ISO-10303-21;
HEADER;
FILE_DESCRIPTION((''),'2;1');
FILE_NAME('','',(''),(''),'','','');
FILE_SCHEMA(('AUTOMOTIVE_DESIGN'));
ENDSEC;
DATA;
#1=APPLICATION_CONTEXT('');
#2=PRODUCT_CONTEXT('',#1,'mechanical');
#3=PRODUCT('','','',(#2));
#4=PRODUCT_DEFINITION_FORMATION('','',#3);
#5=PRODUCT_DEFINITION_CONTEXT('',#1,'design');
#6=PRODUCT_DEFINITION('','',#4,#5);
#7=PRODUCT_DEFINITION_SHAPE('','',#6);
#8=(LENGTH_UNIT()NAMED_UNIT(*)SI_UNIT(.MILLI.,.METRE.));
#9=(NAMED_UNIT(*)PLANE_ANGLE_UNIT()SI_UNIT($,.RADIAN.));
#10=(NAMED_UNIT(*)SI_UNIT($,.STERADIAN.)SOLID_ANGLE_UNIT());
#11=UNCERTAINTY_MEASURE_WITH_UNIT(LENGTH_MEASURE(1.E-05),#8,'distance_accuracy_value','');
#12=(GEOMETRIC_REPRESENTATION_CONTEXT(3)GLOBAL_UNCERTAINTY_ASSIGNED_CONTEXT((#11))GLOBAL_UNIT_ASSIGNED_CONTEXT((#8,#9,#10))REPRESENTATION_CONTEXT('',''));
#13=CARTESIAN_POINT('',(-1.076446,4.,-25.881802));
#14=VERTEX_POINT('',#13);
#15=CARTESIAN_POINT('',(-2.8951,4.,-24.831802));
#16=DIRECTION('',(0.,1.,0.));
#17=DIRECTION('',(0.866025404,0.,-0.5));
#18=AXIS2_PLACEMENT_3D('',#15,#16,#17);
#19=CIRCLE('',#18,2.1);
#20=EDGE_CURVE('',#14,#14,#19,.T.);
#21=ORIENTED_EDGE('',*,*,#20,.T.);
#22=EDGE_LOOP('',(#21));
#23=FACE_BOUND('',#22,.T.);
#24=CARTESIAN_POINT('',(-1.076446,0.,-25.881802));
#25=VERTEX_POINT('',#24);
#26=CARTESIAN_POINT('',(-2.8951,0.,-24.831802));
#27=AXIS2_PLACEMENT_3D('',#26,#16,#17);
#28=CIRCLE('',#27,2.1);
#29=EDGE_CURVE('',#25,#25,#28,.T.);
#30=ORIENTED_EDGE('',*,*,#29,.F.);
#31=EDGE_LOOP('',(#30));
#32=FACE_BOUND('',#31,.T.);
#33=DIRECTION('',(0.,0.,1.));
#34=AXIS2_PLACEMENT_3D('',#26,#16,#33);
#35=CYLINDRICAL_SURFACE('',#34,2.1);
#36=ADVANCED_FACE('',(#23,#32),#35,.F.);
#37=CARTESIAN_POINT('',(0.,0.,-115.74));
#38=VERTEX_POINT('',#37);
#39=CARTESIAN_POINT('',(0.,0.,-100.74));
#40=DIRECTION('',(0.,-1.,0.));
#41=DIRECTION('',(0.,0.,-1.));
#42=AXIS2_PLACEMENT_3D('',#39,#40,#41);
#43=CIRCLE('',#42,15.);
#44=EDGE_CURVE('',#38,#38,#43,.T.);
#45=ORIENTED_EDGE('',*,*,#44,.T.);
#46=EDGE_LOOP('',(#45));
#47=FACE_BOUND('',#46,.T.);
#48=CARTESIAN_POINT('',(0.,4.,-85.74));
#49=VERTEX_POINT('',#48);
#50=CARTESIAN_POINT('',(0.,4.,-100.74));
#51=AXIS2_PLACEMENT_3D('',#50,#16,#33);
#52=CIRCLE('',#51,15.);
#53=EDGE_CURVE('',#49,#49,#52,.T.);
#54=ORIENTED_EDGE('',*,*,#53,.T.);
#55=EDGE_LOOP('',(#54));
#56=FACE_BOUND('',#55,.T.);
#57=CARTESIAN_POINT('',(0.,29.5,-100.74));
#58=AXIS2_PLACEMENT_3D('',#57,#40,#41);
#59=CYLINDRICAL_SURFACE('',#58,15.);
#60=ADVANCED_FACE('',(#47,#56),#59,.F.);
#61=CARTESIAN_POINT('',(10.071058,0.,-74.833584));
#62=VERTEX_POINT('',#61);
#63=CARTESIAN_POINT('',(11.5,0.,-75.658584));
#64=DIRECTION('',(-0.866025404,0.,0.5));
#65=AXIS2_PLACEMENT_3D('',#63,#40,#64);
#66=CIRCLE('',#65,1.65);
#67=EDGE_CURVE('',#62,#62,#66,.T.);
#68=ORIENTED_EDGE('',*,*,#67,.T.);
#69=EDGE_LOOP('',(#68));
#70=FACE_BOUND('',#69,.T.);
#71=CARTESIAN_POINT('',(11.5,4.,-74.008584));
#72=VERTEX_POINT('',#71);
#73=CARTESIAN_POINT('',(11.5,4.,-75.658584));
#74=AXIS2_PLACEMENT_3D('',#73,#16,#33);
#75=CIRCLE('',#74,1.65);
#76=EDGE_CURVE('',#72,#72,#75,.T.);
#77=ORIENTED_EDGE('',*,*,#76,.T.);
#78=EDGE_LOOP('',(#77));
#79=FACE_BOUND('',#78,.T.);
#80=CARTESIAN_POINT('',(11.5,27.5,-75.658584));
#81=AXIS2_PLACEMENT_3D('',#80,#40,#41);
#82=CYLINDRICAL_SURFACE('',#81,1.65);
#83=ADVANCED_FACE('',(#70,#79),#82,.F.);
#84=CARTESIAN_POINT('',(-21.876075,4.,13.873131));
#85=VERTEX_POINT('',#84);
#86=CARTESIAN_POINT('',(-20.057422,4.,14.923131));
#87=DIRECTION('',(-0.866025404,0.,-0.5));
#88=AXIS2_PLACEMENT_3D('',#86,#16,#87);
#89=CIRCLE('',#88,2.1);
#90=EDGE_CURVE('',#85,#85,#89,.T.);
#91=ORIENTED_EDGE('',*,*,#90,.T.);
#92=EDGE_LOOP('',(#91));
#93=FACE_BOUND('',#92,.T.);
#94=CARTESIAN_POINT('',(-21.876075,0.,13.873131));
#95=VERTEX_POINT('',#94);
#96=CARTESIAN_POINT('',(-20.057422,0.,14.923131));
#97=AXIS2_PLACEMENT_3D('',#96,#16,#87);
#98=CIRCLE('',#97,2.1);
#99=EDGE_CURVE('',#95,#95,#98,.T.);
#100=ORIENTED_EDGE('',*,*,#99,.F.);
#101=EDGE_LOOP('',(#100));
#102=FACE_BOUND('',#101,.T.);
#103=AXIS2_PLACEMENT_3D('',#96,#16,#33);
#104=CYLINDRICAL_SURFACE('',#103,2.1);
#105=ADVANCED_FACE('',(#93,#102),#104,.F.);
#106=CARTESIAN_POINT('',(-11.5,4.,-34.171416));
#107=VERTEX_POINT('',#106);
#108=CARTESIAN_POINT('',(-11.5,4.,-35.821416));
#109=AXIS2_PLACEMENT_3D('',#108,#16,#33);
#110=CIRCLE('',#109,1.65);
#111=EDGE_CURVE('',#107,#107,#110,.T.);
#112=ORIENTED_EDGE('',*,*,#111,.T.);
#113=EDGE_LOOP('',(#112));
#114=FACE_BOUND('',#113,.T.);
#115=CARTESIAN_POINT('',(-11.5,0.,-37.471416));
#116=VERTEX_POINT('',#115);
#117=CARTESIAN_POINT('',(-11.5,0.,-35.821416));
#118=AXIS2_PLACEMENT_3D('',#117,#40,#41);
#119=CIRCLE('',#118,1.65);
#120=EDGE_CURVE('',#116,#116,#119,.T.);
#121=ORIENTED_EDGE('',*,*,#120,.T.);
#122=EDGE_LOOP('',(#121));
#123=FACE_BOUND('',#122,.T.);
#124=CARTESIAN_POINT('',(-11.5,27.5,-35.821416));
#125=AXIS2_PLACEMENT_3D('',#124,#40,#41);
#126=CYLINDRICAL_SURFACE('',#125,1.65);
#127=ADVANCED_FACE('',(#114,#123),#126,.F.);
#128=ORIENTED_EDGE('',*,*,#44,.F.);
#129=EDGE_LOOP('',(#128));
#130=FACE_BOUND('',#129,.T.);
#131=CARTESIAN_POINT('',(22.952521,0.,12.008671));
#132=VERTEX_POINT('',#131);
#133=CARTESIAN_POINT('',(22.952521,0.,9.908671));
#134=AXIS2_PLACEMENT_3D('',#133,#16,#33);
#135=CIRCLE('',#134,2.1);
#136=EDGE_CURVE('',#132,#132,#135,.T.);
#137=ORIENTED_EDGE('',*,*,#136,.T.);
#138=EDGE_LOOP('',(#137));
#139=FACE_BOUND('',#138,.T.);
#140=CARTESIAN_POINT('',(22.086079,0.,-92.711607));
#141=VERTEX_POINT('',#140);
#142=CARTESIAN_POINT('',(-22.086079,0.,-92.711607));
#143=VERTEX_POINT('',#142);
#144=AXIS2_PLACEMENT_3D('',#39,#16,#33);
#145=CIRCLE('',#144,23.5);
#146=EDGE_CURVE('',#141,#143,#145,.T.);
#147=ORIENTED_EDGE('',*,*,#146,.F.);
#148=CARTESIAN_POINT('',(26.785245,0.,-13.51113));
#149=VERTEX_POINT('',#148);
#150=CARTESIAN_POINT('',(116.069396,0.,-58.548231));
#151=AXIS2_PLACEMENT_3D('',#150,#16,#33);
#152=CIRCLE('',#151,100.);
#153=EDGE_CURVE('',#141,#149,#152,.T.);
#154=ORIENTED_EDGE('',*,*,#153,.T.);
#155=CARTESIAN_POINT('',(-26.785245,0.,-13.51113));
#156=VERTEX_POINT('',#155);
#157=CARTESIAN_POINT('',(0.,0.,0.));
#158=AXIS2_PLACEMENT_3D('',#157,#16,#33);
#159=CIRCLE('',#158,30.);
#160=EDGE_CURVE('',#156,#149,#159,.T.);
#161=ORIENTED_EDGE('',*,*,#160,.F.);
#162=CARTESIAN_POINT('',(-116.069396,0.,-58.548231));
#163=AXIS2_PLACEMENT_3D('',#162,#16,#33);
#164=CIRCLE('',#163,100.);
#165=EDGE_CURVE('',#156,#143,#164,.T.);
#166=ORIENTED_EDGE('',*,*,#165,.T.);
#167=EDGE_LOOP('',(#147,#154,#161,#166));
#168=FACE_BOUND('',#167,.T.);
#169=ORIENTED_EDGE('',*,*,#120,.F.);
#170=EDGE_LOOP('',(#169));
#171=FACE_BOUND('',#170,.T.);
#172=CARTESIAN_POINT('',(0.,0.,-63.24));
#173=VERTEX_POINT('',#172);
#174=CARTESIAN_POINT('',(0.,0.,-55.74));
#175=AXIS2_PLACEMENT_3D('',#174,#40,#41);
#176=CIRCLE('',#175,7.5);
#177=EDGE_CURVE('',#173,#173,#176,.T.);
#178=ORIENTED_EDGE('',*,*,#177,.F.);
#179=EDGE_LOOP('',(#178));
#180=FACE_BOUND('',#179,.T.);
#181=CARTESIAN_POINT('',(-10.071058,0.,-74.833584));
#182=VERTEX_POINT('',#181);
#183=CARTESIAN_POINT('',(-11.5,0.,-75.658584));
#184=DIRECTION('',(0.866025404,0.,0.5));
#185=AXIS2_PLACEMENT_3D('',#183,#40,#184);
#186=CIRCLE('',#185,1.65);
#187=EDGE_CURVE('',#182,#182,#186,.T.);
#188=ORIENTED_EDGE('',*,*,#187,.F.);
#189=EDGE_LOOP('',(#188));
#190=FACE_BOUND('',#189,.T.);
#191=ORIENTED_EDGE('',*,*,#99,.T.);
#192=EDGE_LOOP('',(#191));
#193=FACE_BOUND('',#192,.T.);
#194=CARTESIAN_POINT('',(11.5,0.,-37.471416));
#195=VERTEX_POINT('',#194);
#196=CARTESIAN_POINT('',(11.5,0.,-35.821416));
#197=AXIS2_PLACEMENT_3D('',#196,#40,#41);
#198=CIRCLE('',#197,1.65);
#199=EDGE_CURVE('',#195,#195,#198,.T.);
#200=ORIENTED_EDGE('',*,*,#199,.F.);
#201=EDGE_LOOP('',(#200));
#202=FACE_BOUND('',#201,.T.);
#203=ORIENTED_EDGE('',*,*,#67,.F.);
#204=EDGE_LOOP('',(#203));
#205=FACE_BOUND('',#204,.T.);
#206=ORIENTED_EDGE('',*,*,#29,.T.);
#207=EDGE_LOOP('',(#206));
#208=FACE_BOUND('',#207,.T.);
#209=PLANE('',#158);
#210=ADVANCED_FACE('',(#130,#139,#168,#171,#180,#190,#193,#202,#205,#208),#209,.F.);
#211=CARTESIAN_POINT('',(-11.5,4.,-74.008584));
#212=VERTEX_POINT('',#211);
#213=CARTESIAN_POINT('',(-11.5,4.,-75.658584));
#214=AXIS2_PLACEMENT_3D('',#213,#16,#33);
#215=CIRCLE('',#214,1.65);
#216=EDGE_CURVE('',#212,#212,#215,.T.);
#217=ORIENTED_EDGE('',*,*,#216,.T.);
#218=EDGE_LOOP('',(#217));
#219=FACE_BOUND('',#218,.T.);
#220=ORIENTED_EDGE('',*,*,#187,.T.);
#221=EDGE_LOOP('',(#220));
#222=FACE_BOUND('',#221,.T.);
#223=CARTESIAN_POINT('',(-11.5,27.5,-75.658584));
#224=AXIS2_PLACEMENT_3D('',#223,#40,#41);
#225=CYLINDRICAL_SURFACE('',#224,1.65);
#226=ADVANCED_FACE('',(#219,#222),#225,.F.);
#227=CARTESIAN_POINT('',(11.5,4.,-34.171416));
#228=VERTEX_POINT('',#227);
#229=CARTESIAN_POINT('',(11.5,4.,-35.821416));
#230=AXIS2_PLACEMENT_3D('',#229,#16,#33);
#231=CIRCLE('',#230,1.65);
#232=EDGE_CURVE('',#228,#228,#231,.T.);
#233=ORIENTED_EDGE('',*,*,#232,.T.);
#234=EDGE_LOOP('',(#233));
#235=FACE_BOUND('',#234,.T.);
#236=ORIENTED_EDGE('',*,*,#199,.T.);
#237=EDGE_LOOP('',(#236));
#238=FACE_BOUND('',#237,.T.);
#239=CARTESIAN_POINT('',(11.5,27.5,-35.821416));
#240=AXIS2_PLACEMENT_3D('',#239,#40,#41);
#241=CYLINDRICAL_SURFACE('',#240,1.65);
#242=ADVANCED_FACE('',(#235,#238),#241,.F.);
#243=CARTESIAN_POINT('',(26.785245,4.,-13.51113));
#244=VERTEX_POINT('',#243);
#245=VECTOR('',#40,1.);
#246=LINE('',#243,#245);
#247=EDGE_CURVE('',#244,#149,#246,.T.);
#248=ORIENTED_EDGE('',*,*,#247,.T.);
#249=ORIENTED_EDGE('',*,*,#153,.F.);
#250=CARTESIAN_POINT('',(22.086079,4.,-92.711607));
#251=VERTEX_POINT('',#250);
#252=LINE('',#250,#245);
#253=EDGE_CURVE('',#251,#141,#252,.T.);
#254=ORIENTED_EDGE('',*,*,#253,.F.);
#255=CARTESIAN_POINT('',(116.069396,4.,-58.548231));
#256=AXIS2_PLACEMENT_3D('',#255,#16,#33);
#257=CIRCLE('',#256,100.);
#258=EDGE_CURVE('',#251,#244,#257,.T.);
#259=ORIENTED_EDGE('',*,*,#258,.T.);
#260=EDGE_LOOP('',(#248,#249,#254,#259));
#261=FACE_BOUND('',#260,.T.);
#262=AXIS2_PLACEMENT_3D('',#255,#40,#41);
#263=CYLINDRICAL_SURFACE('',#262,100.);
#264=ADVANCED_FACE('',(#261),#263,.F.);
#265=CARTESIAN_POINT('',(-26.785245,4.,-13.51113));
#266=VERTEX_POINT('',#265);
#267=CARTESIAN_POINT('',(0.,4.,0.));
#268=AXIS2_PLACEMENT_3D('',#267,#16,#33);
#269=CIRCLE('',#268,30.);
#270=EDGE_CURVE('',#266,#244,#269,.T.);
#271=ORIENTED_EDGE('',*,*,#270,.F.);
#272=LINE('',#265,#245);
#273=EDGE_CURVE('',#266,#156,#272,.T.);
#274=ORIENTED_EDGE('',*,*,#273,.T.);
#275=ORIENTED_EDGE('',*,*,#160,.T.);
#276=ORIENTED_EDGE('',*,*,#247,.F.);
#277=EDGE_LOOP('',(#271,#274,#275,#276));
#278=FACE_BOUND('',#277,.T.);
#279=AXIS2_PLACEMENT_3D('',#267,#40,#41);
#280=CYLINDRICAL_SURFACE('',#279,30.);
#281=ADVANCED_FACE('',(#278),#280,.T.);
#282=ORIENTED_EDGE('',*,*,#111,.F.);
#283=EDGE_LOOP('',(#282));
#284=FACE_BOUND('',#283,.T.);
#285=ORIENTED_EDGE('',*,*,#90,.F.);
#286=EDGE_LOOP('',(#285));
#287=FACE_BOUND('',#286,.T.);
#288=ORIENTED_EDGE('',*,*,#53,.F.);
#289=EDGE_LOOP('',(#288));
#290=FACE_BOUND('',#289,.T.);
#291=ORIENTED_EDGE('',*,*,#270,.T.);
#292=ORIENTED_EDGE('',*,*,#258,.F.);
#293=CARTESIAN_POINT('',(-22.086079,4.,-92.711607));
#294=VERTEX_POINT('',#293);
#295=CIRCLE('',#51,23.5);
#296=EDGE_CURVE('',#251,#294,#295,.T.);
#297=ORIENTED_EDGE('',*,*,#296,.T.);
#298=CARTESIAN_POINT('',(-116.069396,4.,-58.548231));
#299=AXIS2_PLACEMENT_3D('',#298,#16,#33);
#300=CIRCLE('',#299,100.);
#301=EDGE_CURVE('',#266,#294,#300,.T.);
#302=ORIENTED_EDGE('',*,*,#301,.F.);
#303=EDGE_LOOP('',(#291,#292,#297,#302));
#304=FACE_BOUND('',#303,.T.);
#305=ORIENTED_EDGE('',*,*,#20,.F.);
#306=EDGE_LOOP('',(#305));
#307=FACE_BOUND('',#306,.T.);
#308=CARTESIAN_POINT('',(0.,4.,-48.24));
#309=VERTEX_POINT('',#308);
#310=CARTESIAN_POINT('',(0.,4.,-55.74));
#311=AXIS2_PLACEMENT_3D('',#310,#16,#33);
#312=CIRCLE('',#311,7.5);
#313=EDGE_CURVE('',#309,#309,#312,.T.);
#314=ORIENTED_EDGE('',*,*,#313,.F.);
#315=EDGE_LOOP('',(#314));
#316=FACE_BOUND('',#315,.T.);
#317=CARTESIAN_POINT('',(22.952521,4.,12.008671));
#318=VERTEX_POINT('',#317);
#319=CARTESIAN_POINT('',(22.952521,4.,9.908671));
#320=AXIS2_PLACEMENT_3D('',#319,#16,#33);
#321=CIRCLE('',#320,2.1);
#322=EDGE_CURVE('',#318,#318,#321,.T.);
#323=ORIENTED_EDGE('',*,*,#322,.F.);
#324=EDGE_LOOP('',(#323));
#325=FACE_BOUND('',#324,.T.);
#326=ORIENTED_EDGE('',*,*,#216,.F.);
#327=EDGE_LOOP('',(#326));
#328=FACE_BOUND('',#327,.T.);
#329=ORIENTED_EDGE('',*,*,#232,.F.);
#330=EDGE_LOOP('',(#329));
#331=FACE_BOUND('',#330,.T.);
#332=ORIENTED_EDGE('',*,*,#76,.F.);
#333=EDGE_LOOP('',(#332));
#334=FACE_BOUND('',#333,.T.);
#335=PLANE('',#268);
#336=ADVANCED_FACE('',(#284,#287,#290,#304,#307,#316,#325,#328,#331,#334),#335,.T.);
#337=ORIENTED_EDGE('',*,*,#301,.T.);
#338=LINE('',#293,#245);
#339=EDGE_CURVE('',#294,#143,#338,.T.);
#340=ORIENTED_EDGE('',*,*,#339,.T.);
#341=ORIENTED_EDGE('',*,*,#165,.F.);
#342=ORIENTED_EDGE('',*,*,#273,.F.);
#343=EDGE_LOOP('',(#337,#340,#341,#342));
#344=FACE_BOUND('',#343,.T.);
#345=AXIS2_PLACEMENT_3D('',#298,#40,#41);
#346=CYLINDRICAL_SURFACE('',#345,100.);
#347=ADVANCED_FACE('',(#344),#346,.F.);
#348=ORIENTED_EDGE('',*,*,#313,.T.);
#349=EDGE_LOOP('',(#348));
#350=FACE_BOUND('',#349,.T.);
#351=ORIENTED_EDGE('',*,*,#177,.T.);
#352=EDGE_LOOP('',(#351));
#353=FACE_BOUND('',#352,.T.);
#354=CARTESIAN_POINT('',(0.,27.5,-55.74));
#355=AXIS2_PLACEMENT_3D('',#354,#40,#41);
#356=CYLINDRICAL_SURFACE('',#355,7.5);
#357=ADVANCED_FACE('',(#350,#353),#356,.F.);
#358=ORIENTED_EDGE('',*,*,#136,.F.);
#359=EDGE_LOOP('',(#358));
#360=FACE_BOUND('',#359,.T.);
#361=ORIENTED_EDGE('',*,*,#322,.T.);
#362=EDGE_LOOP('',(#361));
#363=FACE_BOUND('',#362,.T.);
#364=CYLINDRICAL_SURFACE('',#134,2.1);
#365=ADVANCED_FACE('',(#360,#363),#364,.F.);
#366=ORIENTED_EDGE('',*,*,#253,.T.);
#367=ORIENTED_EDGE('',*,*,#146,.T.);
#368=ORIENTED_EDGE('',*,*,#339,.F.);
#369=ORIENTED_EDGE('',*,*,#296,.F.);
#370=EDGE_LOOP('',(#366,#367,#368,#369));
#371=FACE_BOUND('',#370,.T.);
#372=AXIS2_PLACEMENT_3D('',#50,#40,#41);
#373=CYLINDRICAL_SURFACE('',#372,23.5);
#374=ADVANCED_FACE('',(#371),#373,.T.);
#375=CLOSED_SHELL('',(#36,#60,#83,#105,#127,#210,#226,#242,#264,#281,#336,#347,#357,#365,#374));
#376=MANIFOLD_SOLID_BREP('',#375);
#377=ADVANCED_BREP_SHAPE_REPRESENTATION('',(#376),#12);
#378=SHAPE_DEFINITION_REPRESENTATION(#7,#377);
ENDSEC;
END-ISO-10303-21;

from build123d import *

# Parameters (mm, degrees)
EXTRUDE_1_DEPTH          = 4
SKETCH_2_R               = 2.1
CUT_EXTRUDE_1_DEPTH      = 4
PATTERN_CIRCULAR_1_COUNT = 3
SKETCH_4_R               = 7.5
CUT_EXTRUDE_2_DEPTH      = 27.5
SKETCH_5_R               = 1.65
CUT_EXTRUDE_3_DEPTH      = 27.5
PATTERN_CIRCULAR_2_COUNT = 3
SKETCH_6_R               = 15
CUT_EXTRUDE_4_DEPTH      = 29.5


with BuildPart() as part:
    # 草图1 → 凸台-拉伸1 (new body)
    with BuildSketch(Plane(origin=(0, 0, 0), x_dir=(1, 0, 0), z_dir=(0, 1, 0))):
        with BuildLine():
            ThreePointArc((26.78524518, 13.511130252), (16.244949948, 52.625392683), (22.086079359, 92.711606726))
            ThreePointArc((22.086079359, 92.711606726), (0, 124.24), (-22.086079359, 92.711606726))
            ThreePointArc((-22.086079359, 92.711606726), (-16.244949948, 52.625392683), (-26.78524518, 13.511130252))
            ThreePointArc((-26.78524518, 13.511130252), (0, -30), (26.78524518, 13.511130252))
        make_face()
    extrude(amount=EXTRUDE_1_DEPTH)

    # 草图2 → 切除-拉伸1 (cut)
    with BuildSketch(Plane(origin=(0, 4, 0), x_dir=(1, 0, 0), z_dir=(0, 1, 0))):
        with Locations(Location((22.952521328, -9.908671188, 0), (0, 0, 270))):
            Circle(SKETCH_2_R)
    cut_extrude_1 = extrude(amount=-CUT_EXTRUDE_1_DEPTH, mode=Mode.SUBTRACT)

    # 阵列(圆周)1: 切除-拉伸1 ×3 about axis
    pattern_circular_1_axis = Axis((0, 0, 0), (0, 1, 0))
    for i in range(1, PATTERN_CIRCULAR_1_COUNT):
        add(cut_extrude_1.rotate(pattern_circular_1_axis, i * 360 / PATTERN_CIRCULAR_1_COUNT), mode=Mode.SUBTRACT)

    # 草图4 → 切除-拉伸2 (cut)
    with BuildSketch(Plane(origin=(0, 0, 0), x_dir=(-1, 0, 0), z_dir=(0, -1, 0))):
        with Locations(Location((0, 55.74, 0), (0, 0, 90))):
            Circle(SKETCH_4_R)
    extrude(amount=-CUT_EXTRUDE_2_DEPTH, mode=Mode.SUBTRACT)

    # 草图5 → 切除-拉伸3 (cut)
    with BuildSketch(Plane.XZ):
        with Locations(Location((-11.5, -35.821415713, 0), (0, 0, 270))):
            Circle(SKETCH_5_R)
        with Locations(Location((11.5, -35.821415713, 0), (0, 0, 270))):
            Circle(SKETCH_5_R)
    cut_extrude_3 = extrude(amount=-CUT_EXTRUDE_3_DEPTH, mode=Mode.SUBTRACT)

    # 阵列(圆周)2: 切除-拉伸3 ×3 about axis
    pattern_circular_2_axis = Axis((0, 0, -55.74), (0, 1, 0))
    for i in range(1, PATTERN_CIRCULAR_2_COUNT):
        add(cut_extrude_3.rotate(pattern_circular_2_axis, i * 360 / PATTERN_CIRCULAR_2_COUNT), mode=Mode.SUBTRACT)

    # 草图6 → 切除-拉伸4 (cut)
    with BuildSketch(Plane.XZ):
        with Locations(Location((0, -100.74, 0), (0, 0, 270))):
            Circle(SKETCH_6_R)
    extrude(amount=-CUT_EXTRUDE_4_DEPTH, mode=Mode.SUBTRACT)


solid = part.part
